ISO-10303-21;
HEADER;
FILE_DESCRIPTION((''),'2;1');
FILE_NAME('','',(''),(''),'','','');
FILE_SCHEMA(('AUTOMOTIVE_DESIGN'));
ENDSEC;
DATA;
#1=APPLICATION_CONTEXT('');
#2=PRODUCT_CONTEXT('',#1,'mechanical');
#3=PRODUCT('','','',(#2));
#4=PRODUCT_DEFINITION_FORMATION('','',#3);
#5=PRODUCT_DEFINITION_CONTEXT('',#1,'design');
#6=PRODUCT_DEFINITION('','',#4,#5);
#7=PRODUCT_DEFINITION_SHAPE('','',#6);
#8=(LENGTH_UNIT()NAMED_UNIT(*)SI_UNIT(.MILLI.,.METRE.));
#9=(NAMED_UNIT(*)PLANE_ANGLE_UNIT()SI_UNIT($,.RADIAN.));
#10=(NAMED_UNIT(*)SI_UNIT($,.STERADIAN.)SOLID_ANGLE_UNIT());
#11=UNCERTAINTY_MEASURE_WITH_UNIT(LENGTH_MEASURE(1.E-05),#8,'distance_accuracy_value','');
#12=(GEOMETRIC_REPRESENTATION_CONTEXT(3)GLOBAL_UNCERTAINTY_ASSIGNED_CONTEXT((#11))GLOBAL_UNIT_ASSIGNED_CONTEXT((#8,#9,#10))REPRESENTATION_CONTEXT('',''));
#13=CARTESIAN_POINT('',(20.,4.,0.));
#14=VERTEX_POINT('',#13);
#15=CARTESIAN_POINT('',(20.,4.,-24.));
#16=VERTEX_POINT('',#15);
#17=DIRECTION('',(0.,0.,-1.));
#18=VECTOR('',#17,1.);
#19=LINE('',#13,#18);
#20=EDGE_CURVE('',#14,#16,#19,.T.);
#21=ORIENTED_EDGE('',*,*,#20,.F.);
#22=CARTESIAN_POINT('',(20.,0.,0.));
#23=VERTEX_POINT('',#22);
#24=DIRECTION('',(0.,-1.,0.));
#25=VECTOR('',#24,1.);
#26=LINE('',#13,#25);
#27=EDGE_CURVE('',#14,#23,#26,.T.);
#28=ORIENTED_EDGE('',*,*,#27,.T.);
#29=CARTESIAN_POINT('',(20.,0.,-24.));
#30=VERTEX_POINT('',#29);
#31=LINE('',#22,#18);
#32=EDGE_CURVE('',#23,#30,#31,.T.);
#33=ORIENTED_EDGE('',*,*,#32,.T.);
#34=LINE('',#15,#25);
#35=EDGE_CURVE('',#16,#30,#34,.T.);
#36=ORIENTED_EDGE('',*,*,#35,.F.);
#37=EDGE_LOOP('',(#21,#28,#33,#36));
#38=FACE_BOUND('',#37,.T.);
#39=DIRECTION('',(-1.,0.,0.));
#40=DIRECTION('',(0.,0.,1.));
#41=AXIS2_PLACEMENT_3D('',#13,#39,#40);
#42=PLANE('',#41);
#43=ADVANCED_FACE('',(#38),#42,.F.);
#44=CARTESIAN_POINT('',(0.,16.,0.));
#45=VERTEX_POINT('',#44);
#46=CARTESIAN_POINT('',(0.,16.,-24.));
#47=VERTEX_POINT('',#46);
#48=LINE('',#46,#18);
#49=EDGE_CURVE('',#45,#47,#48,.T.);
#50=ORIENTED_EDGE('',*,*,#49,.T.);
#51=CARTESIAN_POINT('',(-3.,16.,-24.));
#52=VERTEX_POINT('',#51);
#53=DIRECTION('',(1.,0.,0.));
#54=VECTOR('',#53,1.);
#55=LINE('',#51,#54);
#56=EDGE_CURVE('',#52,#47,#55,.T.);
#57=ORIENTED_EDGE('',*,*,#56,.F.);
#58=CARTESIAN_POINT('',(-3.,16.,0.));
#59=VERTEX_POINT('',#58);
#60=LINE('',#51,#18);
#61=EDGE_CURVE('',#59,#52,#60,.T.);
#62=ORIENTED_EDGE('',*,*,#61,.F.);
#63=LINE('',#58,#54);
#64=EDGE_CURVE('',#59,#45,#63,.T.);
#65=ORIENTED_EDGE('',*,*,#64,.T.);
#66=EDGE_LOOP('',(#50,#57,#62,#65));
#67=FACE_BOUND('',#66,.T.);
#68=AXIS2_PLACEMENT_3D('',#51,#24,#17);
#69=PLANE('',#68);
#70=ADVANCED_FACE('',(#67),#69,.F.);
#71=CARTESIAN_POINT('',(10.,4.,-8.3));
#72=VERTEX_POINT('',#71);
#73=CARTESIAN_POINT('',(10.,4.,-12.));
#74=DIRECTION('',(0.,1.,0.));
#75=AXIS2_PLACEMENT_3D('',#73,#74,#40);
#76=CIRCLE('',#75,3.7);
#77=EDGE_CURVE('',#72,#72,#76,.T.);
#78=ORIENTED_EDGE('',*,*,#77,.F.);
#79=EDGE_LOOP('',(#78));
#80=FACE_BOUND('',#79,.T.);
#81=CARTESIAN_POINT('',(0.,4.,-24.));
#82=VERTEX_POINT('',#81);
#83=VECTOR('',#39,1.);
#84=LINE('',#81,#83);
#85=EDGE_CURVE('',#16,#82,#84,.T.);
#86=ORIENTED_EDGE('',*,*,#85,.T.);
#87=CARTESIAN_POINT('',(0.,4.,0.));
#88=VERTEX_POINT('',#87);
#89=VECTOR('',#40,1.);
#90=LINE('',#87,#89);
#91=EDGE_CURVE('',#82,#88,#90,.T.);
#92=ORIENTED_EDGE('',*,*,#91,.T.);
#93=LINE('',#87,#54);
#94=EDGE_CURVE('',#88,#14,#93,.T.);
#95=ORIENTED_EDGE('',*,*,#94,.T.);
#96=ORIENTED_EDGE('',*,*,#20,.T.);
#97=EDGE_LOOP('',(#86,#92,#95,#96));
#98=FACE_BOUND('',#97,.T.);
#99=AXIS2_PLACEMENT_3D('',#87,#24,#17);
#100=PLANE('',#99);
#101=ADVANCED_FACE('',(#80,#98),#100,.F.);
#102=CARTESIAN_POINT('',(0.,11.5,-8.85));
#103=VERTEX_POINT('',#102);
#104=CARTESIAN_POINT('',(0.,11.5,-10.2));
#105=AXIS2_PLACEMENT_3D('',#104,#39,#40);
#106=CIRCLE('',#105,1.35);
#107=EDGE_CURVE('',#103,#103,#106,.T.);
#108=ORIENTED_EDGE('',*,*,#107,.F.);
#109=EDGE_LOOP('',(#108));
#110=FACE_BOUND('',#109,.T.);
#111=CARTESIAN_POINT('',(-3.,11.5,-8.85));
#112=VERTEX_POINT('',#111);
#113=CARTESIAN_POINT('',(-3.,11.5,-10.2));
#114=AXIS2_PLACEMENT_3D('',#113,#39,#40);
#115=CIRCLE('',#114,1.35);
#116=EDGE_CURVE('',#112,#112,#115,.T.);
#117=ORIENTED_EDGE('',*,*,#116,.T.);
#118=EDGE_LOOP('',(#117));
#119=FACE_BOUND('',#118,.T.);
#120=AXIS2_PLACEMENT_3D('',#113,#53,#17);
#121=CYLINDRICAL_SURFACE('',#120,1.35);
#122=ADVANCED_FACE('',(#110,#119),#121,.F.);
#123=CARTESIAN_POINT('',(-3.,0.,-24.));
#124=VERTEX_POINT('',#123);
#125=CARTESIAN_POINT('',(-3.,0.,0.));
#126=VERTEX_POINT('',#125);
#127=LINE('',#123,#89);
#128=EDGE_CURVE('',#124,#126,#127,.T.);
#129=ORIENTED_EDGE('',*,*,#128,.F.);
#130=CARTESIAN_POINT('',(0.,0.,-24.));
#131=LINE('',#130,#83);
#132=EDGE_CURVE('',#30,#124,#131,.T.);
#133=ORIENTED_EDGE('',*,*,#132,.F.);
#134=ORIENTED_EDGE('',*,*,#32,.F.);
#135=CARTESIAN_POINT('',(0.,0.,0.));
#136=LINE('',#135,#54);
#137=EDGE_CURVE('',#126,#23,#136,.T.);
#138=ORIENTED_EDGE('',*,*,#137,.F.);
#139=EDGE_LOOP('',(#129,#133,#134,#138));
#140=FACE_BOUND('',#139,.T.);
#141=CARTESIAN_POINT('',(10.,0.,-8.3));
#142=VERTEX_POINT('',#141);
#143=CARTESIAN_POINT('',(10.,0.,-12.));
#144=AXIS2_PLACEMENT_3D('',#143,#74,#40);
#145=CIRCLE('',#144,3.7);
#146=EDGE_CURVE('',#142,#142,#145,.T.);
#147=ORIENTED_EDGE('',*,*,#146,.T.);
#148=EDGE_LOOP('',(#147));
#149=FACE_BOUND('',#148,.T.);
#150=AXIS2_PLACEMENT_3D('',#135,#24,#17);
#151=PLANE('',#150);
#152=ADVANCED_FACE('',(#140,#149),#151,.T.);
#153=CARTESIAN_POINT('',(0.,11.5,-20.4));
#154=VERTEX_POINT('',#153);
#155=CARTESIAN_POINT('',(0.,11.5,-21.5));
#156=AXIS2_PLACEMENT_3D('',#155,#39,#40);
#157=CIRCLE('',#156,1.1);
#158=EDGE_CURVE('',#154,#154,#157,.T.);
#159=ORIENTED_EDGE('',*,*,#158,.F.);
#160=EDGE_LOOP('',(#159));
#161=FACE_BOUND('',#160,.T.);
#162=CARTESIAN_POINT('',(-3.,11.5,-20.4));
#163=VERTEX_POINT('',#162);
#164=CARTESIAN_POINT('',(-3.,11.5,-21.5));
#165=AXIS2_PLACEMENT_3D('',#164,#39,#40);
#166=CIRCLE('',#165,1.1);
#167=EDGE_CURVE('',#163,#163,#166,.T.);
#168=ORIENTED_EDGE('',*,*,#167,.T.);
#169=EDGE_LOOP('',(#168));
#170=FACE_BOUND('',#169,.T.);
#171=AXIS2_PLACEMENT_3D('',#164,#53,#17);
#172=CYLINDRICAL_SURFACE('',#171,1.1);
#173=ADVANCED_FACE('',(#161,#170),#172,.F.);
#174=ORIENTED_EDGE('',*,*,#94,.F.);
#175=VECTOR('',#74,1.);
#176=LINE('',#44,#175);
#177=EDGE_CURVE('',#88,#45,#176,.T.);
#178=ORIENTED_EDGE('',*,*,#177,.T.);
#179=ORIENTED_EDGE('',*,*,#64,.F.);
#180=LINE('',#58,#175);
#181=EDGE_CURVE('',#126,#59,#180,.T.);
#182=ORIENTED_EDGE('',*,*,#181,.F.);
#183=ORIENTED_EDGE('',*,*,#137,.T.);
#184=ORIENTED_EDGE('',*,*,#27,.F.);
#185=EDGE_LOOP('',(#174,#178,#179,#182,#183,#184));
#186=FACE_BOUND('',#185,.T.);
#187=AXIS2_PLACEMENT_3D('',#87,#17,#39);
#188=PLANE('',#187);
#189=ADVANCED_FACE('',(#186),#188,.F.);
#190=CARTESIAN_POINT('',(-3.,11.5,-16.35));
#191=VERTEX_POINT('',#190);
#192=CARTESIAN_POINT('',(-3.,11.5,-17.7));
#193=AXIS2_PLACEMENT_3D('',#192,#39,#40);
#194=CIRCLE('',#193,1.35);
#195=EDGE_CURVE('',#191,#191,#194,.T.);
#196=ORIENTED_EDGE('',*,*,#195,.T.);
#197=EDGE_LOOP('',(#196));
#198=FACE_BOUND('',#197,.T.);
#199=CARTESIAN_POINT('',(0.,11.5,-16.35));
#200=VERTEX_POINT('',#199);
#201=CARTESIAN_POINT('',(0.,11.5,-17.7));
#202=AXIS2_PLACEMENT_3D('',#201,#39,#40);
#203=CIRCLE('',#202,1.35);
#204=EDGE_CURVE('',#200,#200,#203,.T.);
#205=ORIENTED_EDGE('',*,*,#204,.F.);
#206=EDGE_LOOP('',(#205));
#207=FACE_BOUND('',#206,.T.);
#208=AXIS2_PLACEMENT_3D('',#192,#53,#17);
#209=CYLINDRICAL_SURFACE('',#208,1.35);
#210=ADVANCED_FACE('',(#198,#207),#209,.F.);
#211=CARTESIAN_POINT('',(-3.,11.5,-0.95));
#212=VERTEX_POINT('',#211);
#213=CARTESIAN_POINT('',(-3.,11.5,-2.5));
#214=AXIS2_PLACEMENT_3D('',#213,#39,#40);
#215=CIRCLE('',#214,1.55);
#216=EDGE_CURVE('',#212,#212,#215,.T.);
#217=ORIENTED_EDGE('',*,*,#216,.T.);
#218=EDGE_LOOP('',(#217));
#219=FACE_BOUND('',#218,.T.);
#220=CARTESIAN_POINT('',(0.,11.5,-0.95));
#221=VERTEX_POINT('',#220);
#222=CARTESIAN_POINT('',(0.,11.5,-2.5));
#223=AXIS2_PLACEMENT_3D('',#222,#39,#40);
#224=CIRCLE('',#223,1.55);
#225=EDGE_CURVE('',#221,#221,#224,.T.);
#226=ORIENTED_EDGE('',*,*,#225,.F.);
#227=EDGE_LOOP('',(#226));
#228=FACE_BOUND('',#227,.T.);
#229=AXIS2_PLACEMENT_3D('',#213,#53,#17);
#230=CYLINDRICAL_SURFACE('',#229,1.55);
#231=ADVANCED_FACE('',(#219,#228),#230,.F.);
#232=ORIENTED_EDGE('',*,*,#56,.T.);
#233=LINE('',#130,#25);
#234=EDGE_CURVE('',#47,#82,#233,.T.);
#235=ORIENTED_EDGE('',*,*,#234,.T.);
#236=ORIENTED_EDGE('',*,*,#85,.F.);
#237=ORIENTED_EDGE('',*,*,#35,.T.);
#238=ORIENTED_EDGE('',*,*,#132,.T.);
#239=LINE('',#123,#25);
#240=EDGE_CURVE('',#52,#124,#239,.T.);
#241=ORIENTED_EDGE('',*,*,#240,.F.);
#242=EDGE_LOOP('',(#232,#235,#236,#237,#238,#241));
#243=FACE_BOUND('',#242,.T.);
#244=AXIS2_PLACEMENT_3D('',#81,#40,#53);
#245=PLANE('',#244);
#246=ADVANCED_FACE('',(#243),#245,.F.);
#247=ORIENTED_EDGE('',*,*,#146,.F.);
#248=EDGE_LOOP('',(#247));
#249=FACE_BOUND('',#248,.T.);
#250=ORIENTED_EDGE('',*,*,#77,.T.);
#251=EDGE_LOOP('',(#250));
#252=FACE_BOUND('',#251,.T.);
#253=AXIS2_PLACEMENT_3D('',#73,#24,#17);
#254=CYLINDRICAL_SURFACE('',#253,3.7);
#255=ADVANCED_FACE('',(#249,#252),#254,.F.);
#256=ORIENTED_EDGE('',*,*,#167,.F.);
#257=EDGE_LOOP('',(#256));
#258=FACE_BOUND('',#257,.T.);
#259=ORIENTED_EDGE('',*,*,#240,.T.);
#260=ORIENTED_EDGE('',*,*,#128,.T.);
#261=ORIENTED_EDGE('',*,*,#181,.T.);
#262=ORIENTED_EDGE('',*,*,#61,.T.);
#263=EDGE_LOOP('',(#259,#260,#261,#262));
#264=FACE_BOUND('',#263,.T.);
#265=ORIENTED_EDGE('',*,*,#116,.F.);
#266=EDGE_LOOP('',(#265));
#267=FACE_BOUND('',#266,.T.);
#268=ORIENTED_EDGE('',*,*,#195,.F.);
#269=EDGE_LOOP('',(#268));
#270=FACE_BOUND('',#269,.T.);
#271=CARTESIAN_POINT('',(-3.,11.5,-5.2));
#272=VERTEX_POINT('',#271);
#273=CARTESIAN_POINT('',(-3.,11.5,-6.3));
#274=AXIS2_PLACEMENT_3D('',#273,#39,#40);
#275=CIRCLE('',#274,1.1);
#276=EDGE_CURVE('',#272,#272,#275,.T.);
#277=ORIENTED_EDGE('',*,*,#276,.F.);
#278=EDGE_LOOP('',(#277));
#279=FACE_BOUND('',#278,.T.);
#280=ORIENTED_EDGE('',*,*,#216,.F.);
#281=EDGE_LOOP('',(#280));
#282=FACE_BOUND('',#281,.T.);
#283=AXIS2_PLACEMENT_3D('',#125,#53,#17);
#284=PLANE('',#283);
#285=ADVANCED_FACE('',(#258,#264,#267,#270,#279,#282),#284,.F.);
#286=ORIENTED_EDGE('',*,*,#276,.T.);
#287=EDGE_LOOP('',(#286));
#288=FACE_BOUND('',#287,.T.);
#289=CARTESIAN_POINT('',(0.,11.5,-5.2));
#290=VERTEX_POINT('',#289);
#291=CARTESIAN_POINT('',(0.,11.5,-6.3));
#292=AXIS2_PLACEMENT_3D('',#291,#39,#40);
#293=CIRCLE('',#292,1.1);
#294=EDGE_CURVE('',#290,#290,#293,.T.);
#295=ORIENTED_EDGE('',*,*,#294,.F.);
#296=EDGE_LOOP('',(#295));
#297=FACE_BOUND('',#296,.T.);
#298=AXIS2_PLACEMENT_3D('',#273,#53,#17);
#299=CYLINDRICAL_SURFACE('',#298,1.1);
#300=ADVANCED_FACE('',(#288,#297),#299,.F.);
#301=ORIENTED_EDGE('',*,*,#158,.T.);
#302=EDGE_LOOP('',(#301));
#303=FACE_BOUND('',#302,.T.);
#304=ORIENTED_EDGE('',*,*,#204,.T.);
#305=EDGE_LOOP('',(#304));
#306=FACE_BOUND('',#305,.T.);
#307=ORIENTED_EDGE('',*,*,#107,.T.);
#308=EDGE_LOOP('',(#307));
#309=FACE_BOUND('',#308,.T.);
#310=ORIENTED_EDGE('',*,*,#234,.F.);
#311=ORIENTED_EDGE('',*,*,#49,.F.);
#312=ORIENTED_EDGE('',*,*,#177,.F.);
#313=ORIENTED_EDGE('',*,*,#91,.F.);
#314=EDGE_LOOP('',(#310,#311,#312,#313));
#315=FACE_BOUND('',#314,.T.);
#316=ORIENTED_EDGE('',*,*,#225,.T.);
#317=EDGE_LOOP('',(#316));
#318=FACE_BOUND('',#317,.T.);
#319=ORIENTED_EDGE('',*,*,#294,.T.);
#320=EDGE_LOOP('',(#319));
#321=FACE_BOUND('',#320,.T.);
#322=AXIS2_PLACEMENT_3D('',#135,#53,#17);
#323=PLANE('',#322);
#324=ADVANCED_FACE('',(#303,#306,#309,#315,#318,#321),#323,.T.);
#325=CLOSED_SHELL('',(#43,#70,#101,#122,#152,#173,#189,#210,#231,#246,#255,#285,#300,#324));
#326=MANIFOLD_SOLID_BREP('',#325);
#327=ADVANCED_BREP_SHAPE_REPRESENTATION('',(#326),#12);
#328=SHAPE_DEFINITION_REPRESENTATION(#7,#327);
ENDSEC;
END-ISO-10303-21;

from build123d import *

# Parameters (mm, degrees)
SKETCH_1_W      = 20
SKETCH_1_H      = 24
SKETCH_1_R      = 3.7
EXTRUDE_1_DEPTH = 4
SKETCH_2_W      = 24
SKETCH_2_H      = 16
SKETCH_2_R      = 1.1
SKETCH_2_R_2    = 1.35
SKETCH_2_R_3    = 1.55
EXTRUDE_2_DEPTH = 3


with BuildPart() as part:
    # 草图1 → 凸台-拉伸1 (new body)
    with BuildSketch(Plane(origin=(0, 0, 0), x_dir=(1, 0, 0), z_dir=(0, 1, 0))):
        with Locations((10, 12)):
            Rectangle(SKETCH_1_W, SKETCH_1_H)
        with Locations(Location((10, 12, 0), (0, 0, 270))):
            Circle(SKETCH_1_R, mode=Mode.SUBTRACT)
    extrude(amount=EXTRUDE_1_DEPTH)

    # 草图2 → 凸台-拉伸2 (add)
    with BuildSketch(Plane.ZY):
        with Locations((-12, 8)):
            Rectangle(SKETCH_2_W, SKETCH_2_H)
        with Locations((-21.5, 11.5)):
            Circle(SKETCH_2_R, mode=Mode.SUBTRACT)
        with Locations((-17.7, 11.5)):
            Circle(SKETCH_2_R_2, mode=Mode.SUBTRACT)
        with Locations((-6.3, 11.5)):
            Circle(SKETCH_2_R, mode=Mode.SUBTRACT)
        with Locations((-2.5, 11.5)):
            Circle(SKETCH_2_R_3, mode=Mode.SUBTRACT)
        with Locations((-10.2, 11.5)):
            Circle(SKETCH_2_R_2, mode=Mode.SUBTRACT)
    extrude(amount=EXTRUDE_2_DEPTH)


solid = part.part
